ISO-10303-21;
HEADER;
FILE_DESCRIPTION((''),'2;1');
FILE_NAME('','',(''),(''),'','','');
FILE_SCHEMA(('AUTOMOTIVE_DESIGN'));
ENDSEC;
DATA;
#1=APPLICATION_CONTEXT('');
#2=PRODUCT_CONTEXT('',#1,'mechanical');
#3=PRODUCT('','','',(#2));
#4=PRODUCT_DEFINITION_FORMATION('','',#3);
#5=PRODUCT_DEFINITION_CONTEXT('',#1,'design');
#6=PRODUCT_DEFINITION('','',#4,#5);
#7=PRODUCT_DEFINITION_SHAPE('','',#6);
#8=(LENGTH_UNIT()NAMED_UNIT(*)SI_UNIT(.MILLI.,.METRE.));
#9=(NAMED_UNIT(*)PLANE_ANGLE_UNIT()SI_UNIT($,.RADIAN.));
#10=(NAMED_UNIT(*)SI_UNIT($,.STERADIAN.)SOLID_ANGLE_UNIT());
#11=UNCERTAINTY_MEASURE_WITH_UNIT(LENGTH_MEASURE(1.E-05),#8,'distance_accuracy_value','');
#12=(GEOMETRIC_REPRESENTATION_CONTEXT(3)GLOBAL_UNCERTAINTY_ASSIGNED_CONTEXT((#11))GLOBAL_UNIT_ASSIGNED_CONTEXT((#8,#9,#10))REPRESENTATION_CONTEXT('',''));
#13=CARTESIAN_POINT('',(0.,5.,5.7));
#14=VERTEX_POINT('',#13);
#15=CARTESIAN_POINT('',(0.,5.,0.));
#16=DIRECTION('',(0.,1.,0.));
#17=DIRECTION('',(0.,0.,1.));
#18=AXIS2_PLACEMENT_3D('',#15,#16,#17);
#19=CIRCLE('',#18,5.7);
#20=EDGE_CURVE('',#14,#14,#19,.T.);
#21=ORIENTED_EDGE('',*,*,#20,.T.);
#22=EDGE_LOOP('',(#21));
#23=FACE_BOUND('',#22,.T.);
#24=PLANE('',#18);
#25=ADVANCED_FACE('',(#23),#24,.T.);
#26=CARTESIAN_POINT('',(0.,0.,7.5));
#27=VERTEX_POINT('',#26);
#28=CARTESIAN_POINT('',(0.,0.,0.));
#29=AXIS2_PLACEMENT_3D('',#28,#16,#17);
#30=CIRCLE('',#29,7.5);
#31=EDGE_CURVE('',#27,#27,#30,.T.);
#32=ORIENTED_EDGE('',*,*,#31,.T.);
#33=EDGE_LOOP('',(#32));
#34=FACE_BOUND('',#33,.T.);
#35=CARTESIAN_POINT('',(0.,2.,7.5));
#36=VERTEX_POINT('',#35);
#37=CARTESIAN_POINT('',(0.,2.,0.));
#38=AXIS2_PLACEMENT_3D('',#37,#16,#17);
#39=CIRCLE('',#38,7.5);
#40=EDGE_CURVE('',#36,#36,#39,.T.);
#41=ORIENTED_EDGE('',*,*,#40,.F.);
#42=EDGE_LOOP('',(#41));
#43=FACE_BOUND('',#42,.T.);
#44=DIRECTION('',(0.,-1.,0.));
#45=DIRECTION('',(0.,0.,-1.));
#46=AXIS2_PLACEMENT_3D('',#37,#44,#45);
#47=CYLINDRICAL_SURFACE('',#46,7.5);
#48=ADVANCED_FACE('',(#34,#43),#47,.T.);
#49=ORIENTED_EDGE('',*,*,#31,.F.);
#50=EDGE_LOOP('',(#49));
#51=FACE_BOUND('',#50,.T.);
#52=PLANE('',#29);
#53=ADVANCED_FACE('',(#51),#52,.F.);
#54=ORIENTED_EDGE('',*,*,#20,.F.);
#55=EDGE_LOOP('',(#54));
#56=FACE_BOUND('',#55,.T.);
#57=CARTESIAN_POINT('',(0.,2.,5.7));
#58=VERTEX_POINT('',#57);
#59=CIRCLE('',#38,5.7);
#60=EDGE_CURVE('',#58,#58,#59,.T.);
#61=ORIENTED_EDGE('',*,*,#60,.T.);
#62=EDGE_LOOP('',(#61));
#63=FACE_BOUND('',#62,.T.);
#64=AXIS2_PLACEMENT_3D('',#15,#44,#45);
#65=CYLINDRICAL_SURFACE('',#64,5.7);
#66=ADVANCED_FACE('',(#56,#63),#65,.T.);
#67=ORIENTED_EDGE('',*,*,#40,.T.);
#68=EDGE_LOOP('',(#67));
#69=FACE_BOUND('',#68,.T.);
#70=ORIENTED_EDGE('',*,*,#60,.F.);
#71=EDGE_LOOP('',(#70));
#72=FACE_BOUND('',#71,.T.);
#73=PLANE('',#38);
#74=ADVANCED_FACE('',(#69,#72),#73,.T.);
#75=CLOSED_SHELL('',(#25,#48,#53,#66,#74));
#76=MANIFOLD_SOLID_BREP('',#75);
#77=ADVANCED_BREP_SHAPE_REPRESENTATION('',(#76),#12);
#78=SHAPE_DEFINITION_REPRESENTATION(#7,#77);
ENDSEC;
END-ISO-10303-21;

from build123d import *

# Parameters (mm, degrees)
SKETCH1_R           = 7.5
BOSS_EXTRUDE1_DEPTH = 2
SKETCH2_R           = 5.7
BOSS_EXTRUDE2_DEPTH = 3


with BuildPart() as part:
    # Sketch1 → Boss-Extrude1 (new body)
    with BuildSketch(Plane(origin=(0, 0, 0), x_dir=(1, 0, 0), z_dir=(0, 1, 0))):
        with Locations(Location((0, 0, 0), (0, 0, 270))):  # turned: the seam where the file's is
            Circle(SKETCH1_R)
    extrude(amount=BOSS_EXTRUDE1_DEPTH)

    # Sketch2 → Boss-Extrude2 (add)
    with BuildSketch(Plane(origin=(0, 2, 0), x_dir=(1, 0, 0), z_dir=(0, 1, 0))):
        with Locations(Location((0, 0, 0), (0, 0, 270))):  # turned: the seam where the file's is
            Circle(SKETCH2_R)
    extrude(amount=BOSS_EXTRUDE2_DEPTH)


solid = part.part
